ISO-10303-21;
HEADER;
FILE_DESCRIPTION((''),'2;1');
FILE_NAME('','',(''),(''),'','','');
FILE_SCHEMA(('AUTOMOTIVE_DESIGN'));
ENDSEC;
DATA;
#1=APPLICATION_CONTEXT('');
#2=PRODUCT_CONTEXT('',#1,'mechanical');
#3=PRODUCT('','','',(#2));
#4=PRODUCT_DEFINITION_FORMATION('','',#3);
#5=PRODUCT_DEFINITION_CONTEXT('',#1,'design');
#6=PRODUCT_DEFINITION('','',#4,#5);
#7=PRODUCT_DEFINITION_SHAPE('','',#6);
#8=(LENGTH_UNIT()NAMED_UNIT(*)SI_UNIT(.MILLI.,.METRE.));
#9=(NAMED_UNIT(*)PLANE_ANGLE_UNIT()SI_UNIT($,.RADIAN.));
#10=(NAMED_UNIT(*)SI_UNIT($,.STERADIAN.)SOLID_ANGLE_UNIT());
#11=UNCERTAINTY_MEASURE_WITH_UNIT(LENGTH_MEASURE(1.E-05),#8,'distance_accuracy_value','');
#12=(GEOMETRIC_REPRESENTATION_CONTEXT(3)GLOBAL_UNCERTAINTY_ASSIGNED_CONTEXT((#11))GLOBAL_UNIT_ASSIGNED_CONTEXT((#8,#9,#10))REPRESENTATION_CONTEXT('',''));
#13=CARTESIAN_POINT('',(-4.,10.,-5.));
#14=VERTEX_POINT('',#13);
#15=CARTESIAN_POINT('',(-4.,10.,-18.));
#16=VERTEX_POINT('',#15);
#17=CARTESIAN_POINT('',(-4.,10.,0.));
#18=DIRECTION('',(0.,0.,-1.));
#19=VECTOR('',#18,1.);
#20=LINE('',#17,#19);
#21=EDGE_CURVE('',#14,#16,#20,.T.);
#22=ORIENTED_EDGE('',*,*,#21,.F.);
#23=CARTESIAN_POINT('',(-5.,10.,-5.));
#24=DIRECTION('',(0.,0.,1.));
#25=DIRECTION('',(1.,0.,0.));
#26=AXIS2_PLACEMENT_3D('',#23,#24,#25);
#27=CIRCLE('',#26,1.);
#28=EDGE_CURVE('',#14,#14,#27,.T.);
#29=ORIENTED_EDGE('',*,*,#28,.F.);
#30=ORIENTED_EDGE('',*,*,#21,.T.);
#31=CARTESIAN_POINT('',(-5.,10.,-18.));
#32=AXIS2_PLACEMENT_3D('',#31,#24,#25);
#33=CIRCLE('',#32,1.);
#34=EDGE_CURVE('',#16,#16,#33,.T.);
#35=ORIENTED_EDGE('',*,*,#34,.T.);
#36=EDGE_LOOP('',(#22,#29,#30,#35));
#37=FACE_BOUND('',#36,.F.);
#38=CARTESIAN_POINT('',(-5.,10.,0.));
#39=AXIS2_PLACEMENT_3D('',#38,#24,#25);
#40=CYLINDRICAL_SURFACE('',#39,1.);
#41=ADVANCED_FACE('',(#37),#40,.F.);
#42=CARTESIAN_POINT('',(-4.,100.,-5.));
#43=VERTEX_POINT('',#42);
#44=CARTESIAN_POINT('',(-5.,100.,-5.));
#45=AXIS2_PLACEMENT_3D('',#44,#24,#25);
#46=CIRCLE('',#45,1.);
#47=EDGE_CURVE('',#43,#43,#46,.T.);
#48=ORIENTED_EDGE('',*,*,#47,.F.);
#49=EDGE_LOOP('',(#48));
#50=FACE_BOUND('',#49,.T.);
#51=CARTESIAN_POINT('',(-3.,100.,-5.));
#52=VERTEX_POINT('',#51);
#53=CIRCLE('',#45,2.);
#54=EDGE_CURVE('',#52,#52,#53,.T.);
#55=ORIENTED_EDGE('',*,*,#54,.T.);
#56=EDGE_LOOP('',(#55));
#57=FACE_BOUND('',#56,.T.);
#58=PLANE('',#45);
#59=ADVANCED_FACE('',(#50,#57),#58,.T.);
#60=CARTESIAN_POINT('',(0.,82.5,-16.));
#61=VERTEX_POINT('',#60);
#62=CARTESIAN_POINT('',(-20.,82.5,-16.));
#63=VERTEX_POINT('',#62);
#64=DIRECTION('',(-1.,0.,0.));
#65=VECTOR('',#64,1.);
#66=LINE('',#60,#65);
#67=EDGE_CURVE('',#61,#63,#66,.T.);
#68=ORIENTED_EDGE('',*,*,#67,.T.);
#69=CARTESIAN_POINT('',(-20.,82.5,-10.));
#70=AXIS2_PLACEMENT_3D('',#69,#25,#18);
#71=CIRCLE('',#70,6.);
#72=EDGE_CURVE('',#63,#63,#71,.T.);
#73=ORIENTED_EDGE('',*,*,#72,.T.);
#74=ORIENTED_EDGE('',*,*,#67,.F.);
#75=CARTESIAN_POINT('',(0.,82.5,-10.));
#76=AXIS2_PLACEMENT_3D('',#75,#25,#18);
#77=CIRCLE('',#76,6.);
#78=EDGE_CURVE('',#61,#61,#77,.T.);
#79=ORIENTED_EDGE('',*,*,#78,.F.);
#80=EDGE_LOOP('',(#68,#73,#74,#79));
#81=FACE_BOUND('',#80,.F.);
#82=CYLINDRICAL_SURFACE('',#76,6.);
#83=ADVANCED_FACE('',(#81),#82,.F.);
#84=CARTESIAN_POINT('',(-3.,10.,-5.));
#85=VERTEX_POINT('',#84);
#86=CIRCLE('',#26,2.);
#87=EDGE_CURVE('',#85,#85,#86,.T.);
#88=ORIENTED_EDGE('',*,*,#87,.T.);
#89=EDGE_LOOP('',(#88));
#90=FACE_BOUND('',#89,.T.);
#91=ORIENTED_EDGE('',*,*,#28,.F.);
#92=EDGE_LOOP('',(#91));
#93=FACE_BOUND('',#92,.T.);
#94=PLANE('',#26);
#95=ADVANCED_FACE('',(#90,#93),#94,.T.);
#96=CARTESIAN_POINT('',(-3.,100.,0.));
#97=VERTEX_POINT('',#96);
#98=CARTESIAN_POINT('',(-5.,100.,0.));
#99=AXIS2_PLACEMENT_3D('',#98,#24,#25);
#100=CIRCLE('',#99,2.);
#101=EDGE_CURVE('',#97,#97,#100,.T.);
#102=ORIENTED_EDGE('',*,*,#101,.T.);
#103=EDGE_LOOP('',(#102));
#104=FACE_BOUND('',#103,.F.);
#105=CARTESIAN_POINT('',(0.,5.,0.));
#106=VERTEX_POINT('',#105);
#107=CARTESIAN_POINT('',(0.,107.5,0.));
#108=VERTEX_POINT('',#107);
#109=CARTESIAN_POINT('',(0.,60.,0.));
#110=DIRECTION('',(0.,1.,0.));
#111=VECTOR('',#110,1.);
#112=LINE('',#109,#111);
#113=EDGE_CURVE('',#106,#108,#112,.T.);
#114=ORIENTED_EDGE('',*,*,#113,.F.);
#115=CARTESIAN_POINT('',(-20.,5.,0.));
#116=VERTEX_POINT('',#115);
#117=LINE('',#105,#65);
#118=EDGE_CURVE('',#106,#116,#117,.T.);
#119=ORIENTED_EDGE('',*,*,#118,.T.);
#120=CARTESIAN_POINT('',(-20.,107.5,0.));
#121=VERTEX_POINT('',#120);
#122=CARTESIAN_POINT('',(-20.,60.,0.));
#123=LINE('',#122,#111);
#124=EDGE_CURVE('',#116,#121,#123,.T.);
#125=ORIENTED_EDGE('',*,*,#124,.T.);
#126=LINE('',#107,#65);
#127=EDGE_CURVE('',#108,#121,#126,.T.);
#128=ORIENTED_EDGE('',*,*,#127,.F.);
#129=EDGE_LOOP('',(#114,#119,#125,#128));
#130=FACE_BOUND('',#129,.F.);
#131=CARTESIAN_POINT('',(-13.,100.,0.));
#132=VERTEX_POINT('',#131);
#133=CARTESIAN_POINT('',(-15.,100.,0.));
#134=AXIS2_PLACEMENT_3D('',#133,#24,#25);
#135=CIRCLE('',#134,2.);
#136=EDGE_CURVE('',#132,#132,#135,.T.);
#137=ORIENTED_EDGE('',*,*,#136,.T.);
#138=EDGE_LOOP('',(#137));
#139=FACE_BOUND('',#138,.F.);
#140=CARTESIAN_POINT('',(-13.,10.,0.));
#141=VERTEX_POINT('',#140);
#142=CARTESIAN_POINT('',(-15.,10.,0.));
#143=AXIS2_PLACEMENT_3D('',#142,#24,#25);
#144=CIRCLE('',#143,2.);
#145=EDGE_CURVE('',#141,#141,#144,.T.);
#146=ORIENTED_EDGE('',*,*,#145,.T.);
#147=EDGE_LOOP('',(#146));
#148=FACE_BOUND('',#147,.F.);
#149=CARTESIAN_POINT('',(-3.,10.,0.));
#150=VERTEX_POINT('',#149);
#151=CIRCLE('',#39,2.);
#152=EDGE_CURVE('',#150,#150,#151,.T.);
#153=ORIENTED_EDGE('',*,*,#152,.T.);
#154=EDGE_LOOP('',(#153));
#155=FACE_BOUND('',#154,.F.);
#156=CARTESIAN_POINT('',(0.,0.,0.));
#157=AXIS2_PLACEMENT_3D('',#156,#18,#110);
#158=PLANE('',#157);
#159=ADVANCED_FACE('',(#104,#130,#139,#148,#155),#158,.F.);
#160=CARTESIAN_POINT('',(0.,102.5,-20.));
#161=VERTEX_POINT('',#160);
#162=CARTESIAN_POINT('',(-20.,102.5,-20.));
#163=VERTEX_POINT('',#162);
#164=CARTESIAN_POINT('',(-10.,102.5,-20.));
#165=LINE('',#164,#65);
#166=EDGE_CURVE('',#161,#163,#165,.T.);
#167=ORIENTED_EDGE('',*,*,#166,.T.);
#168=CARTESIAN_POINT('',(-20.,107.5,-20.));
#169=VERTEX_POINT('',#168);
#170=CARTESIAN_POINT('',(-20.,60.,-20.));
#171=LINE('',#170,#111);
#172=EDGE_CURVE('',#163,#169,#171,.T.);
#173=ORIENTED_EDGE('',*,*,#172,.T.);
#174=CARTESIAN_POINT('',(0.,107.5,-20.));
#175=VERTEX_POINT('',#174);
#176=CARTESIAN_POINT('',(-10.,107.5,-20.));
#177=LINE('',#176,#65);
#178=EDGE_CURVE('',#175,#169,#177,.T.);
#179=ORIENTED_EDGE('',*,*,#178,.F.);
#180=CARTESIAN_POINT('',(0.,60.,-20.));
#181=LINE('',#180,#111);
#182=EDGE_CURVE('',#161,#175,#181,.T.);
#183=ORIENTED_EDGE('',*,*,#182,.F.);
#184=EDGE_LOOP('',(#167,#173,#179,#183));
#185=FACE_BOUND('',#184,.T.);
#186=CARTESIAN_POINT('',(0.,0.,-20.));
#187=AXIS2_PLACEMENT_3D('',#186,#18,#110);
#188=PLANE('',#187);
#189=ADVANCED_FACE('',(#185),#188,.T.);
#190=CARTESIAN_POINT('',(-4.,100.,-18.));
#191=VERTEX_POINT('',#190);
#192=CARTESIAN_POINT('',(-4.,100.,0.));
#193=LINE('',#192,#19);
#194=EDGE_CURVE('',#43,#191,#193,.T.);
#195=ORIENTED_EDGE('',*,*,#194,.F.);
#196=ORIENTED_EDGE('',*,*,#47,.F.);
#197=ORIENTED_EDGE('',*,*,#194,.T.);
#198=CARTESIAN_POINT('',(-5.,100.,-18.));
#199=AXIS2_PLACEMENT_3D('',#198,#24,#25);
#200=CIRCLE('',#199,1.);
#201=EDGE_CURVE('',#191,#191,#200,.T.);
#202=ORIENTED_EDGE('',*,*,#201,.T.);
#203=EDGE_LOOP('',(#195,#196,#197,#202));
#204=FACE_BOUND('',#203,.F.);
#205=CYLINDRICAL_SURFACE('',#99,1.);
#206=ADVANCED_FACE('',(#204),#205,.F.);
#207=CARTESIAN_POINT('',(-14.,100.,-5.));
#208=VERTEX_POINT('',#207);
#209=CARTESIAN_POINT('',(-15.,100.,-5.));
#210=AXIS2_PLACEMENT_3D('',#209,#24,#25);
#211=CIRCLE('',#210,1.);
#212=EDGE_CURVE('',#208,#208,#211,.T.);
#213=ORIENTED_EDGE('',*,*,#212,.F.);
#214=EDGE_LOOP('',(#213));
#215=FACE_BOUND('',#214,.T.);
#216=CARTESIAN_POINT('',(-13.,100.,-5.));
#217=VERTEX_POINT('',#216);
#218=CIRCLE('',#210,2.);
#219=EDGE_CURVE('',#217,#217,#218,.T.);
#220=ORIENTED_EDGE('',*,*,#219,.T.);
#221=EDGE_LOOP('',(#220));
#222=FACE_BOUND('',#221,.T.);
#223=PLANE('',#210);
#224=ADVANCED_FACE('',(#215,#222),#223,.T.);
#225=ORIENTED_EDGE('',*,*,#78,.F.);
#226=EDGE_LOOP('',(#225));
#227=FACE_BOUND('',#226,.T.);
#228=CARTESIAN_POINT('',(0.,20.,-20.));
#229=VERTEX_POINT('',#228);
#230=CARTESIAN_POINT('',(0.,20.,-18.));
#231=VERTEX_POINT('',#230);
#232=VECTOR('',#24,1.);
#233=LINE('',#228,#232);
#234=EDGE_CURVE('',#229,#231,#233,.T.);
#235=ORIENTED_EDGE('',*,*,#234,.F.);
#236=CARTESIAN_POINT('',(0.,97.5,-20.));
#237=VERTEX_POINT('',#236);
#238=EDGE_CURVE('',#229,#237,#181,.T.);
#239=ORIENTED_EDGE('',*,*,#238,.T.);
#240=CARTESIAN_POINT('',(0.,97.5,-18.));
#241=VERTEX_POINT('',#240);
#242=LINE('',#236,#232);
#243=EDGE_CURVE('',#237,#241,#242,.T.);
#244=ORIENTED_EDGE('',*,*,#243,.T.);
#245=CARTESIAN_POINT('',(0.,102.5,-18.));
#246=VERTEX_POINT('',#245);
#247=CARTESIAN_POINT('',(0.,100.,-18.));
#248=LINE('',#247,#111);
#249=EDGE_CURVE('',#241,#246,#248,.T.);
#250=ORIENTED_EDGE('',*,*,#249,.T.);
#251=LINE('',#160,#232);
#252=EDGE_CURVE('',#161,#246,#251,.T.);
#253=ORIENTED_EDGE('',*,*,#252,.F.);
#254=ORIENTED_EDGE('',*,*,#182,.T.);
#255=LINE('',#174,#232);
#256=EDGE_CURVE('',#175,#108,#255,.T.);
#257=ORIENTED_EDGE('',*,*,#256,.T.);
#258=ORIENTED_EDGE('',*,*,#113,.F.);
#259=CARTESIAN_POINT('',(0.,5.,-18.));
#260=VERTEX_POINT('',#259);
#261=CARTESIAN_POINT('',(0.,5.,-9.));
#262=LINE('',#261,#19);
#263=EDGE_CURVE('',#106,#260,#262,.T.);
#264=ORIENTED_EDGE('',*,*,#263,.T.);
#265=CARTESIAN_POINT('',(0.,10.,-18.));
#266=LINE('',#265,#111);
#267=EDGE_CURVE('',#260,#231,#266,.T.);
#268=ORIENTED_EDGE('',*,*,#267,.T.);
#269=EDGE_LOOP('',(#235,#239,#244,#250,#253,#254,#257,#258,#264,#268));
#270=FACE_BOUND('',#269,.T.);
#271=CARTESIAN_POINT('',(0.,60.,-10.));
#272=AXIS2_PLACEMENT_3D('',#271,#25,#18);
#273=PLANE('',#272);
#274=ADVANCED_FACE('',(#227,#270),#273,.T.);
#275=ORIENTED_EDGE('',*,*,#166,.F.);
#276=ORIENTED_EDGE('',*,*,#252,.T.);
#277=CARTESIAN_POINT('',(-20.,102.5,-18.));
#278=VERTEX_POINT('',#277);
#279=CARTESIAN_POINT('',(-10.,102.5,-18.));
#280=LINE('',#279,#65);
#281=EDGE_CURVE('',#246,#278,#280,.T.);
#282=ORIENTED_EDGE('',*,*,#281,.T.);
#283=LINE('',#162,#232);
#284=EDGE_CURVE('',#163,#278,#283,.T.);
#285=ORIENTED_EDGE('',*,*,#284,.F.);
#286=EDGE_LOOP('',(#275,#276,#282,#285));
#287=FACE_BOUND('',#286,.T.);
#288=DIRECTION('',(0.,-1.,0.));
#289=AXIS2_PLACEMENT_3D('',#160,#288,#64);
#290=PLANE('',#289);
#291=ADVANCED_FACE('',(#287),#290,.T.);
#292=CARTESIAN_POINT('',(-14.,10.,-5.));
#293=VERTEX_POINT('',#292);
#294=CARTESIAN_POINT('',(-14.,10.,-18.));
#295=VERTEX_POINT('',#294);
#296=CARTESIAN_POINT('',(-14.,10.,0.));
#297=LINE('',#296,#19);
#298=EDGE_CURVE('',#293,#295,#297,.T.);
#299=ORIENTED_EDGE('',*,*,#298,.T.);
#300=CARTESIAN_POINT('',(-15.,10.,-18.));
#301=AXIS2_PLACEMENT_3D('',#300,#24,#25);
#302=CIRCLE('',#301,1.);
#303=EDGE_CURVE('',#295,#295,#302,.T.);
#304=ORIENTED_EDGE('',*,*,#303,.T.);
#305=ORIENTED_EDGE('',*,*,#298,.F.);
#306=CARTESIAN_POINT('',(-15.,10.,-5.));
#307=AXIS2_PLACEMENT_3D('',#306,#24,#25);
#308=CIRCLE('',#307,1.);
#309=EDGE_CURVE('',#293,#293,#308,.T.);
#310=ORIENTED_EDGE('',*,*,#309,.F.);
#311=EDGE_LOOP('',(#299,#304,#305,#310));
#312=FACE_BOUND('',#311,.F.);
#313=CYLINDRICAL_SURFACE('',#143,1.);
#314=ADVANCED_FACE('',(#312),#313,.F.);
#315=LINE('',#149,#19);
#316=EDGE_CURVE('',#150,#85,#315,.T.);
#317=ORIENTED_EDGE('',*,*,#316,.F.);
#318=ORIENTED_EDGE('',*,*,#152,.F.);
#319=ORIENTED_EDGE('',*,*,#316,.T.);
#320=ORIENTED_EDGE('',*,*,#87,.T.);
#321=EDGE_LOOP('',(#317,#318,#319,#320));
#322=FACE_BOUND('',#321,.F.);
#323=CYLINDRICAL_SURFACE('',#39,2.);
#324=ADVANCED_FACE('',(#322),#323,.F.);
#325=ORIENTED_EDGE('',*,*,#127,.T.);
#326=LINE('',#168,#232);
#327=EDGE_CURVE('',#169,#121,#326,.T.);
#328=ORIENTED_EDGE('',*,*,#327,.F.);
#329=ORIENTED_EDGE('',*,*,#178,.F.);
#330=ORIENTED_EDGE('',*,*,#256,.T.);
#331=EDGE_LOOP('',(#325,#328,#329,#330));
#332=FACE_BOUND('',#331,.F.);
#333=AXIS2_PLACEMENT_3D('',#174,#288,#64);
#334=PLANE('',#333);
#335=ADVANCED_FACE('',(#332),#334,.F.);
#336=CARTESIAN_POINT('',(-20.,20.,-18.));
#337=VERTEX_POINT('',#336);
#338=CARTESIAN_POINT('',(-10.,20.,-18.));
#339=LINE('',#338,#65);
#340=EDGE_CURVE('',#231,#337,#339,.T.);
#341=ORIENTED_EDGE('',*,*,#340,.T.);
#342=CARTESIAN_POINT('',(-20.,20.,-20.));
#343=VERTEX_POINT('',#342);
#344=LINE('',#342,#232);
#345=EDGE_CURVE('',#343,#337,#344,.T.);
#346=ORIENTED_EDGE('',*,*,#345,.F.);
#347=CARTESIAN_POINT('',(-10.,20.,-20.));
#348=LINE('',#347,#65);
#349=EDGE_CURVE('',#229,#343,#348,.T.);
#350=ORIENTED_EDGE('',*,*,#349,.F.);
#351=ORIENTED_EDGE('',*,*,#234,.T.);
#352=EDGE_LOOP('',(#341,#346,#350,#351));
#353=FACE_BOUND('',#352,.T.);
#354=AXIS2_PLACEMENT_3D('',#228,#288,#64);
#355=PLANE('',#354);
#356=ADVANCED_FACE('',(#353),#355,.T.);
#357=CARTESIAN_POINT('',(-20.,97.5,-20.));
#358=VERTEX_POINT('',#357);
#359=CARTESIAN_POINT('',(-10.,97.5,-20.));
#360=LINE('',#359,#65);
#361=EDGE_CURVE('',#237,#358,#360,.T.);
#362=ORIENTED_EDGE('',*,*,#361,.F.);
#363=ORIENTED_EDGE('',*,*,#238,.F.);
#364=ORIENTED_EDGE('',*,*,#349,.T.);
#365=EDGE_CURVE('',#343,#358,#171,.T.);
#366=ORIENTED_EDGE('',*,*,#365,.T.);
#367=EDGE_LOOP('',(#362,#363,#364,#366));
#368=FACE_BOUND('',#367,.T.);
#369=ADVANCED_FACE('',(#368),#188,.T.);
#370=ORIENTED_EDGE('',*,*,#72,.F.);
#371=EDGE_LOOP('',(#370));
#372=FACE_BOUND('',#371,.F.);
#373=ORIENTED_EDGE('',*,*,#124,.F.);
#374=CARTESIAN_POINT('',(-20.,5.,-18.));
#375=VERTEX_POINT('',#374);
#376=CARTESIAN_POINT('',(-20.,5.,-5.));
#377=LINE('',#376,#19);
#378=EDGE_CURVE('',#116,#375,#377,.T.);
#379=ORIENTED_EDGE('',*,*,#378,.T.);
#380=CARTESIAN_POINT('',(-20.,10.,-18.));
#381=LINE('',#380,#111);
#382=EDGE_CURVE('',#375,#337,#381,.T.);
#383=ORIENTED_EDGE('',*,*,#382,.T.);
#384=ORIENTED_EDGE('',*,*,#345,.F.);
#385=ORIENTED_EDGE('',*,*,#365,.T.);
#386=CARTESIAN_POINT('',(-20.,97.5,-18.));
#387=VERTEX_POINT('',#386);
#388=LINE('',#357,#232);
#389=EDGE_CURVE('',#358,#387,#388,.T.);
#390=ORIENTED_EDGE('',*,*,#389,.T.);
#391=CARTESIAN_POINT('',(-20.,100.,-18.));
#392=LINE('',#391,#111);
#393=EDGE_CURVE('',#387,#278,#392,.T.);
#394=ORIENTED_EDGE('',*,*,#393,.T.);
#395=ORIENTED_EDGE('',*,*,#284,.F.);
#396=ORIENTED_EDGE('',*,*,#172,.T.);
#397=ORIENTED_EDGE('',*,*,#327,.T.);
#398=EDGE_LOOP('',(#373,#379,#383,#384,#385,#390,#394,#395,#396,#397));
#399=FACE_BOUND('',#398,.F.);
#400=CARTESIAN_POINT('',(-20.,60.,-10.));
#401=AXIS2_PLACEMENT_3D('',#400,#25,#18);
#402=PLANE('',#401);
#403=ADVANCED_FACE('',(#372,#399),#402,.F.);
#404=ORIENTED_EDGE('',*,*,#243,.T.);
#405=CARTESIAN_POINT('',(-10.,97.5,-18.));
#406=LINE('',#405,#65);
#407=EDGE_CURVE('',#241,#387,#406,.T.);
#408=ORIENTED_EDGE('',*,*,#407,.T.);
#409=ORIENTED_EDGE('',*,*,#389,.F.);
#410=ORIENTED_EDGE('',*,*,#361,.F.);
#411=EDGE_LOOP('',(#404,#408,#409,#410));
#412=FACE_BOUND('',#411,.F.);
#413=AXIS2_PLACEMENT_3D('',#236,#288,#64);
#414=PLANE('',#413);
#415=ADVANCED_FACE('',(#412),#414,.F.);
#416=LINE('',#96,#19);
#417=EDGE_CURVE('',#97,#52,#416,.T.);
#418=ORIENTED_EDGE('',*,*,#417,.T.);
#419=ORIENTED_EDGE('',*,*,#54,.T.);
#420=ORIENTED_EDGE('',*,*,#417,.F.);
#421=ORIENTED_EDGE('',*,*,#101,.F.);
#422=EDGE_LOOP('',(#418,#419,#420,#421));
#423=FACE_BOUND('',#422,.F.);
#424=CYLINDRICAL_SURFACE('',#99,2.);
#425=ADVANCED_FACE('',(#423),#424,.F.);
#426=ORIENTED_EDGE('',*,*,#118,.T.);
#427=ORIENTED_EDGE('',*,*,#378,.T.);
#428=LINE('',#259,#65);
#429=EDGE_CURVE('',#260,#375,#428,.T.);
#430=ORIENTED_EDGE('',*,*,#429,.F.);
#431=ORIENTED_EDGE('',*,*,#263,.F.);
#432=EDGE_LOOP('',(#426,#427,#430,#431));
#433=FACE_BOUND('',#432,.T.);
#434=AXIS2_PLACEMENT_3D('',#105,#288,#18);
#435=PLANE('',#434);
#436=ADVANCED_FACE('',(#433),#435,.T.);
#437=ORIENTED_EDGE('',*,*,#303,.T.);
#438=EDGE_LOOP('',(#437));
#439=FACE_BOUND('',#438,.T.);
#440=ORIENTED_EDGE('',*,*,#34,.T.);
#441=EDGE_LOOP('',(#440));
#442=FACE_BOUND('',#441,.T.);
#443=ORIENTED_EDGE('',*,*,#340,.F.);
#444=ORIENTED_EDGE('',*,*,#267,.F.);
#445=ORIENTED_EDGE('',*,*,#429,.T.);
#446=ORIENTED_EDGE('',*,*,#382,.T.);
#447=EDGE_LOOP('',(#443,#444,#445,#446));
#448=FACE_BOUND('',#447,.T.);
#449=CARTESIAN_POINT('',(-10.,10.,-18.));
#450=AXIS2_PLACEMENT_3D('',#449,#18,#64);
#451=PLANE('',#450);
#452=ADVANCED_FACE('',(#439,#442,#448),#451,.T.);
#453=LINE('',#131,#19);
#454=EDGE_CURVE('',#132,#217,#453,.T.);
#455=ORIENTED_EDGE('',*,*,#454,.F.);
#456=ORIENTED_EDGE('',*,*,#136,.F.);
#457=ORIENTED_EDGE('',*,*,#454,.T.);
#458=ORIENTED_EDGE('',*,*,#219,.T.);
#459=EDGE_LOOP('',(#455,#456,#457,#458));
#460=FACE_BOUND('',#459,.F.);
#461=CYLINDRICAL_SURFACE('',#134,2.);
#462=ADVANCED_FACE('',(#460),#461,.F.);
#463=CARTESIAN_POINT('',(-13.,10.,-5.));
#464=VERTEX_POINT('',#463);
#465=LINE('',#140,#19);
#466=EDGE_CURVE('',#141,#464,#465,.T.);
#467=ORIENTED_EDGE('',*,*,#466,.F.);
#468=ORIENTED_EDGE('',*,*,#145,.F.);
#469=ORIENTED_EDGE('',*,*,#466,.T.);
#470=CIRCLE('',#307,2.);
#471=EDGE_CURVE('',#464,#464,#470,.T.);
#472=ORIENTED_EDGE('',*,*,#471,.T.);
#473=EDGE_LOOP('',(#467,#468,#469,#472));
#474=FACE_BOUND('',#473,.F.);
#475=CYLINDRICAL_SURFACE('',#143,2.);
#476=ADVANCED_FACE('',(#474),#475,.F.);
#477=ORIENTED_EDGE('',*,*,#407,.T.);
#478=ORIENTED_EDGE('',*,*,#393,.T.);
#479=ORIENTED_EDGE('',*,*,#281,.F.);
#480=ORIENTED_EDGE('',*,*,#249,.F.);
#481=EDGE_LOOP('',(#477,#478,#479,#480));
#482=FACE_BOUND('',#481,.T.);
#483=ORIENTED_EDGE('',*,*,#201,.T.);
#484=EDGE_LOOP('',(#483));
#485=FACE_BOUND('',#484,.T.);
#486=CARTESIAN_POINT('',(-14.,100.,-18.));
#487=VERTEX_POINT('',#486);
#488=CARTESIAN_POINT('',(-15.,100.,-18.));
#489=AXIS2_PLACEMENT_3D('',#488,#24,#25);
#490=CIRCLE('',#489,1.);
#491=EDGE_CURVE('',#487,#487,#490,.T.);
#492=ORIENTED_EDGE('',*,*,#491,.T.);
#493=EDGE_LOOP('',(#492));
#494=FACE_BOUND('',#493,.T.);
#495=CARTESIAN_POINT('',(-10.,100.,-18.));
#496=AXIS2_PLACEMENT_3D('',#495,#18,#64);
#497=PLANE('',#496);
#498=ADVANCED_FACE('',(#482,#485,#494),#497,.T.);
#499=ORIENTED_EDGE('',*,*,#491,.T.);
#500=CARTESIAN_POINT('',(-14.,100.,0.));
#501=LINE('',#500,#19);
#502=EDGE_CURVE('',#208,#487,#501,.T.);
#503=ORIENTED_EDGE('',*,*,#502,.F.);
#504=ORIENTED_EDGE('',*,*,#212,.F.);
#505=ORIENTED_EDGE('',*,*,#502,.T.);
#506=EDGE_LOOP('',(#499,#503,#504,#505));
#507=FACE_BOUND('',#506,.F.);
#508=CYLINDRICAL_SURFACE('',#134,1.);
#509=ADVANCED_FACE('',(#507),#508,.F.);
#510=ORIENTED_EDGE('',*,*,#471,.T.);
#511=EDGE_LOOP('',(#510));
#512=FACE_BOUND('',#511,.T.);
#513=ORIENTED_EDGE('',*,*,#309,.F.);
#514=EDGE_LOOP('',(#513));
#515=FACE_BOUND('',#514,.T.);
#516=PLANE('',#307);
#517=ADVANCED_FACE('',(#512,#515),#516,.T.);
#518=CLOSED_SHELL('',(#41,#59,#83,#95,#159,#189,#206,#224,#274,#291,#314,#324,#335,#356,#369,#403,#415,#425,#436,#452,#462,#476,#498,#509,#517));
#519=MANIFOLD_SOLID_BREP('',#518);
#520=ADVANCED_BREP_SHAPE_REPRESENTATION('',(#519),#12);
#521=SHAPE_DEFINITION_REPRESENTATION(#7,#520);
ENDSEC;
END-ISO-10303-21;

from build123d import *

# Parameters (mm, degrees)
SKETCH1_W           = 20
SKETCH1_H           = 120
SKETCH1_R           = 6
BOSS_EXTRUDE2_DEPTH = 20
SKETCH11_R          = 1
CUT_EXTRUDE2_DEPTH  = 21
SKETCH12_R          = 2
CUT_EXTRUDE3_DEPTH  = 5
SKETCH11_3_R        = 1
CUT_EXTRUDE4_DEPTH  = 21
SKETCH14_W          = 20
SKETCH14_H          = 5
SKETCH14_H_2        = 20
CUT_EXTRUDE6_DEPTH  = 2
SKETCH15_W          = 18
SKETCH15_H          = 5
CUT_EXTRUDE7_DEPTH  = 21
SKETCH16_W          = 20
SKETCH16_H          = 12.5
CUT_EXTRUDE8_DEPTH  = 21


with BuildPart() as part:
    # Sketch1 → Boss-Extrude2 (new body)
    with BuildSketch(Plane(origin=(0, 0, 0), x_dir=(0, 0, -1), z_dir=(1, 0, 0))):
        with Locations((10, 60)):
            Rectangle(SKETCH1_W, SKETCH1_H)
        with Locations((10, 82.5)):
            Circle(SKETCH1_R, mode=Mode.SUBTRACT)
    extrude(amount=-BOSS_EXTRUDE2_DEPTH)

    # Sketch11 → Cut-Extrude2 (cut, through all)
    with BuildSketch(Plane.XY):
        with Locations((-15, 10)):
            Circle(SKETCH11_R)
        with Locations((-5, 10)):
            Circle(SKETCH11_R)
    extrude(amount=-CUT_EXTRUDE2_DEPTH, mode=Mode.SUBTRACT)

    # Sketch12 → Cut-Extrude3 (cut)
    with BuildSketch(Plane.XY):
        with Locations((-15, 10)):
            Circle(SKETCH12_R)
        with Locations((-5, 10)):
            Circle(SKETCH12_R)
        with Locations((-15, 100)):
            Circle(SKETCH12_R)
        with Locations((-5, 100)):
            Circle(SKETCH12_R)
    extrude(amount=-CUT_EXTRUDE3_DEPTH, mode=Mode.SUBTRACT)

    # Sketch11<3> → Cut-Extrude4 (cut, through all)
    with BuildSketch(Plane.XY):
        with Locations((-15, 100)):
            Circle(SKETCH11_3_R)
        with Locations((-5, 100)):
            Circle(SKETCH11_3_R)
    extrude(amount=-CUT_EXTRUDE4_DEPTH, mode=Mode.SUBTRACT)

    # Sketch14 → Cut-Extrude6 (cut)
    with BuildSketch(Plane(origin=(0, 0, -20), x_dir=(-1, 0, 0), z_dir=(0, 0, -1))):
        with Locations((10, 100)):
            Rectangle(SKETCH14_W, SKETCH14_H)
        with Locations((10, 10)):
            Rectangle(SKETCH14_W, SKETCH14_H_2)
    extrude(amount=-CUT_EXTRUDE6_DEPTH, mode=Mode.SUBTRACT)

    # Sketch15 → Cut-Extrude7 (cut, through all)
    with BuildSketch(Plane(origin=(0, 0, 0), x_dir=(0, 0, -1), z_dir=(1, 0, 0))):
        with Locations((9, 2.5)):
            Rectangle(SKETCH15_W, SKETCH15_H)
    extrude(amount=-CUT_EXTRUDE7_DEPTH, mode=Mode.SUBTRACT)

    # Sketch16 → Cut-Extrude8 (cut, through all)
    with BuildSketch(Plane(origin=(0, 0, -20), x_dir=(-1, 0, 0), z_dir=(0, 0, -1))):
        with Locations((10, 113.75)):
            Rectangle(SKETCH16_W, SKETCH16_H)
    extrude(amount=-CUT_EXTRUDE8_DEPTH, mode=Mode.SUBTRACT)


solid = part.part
